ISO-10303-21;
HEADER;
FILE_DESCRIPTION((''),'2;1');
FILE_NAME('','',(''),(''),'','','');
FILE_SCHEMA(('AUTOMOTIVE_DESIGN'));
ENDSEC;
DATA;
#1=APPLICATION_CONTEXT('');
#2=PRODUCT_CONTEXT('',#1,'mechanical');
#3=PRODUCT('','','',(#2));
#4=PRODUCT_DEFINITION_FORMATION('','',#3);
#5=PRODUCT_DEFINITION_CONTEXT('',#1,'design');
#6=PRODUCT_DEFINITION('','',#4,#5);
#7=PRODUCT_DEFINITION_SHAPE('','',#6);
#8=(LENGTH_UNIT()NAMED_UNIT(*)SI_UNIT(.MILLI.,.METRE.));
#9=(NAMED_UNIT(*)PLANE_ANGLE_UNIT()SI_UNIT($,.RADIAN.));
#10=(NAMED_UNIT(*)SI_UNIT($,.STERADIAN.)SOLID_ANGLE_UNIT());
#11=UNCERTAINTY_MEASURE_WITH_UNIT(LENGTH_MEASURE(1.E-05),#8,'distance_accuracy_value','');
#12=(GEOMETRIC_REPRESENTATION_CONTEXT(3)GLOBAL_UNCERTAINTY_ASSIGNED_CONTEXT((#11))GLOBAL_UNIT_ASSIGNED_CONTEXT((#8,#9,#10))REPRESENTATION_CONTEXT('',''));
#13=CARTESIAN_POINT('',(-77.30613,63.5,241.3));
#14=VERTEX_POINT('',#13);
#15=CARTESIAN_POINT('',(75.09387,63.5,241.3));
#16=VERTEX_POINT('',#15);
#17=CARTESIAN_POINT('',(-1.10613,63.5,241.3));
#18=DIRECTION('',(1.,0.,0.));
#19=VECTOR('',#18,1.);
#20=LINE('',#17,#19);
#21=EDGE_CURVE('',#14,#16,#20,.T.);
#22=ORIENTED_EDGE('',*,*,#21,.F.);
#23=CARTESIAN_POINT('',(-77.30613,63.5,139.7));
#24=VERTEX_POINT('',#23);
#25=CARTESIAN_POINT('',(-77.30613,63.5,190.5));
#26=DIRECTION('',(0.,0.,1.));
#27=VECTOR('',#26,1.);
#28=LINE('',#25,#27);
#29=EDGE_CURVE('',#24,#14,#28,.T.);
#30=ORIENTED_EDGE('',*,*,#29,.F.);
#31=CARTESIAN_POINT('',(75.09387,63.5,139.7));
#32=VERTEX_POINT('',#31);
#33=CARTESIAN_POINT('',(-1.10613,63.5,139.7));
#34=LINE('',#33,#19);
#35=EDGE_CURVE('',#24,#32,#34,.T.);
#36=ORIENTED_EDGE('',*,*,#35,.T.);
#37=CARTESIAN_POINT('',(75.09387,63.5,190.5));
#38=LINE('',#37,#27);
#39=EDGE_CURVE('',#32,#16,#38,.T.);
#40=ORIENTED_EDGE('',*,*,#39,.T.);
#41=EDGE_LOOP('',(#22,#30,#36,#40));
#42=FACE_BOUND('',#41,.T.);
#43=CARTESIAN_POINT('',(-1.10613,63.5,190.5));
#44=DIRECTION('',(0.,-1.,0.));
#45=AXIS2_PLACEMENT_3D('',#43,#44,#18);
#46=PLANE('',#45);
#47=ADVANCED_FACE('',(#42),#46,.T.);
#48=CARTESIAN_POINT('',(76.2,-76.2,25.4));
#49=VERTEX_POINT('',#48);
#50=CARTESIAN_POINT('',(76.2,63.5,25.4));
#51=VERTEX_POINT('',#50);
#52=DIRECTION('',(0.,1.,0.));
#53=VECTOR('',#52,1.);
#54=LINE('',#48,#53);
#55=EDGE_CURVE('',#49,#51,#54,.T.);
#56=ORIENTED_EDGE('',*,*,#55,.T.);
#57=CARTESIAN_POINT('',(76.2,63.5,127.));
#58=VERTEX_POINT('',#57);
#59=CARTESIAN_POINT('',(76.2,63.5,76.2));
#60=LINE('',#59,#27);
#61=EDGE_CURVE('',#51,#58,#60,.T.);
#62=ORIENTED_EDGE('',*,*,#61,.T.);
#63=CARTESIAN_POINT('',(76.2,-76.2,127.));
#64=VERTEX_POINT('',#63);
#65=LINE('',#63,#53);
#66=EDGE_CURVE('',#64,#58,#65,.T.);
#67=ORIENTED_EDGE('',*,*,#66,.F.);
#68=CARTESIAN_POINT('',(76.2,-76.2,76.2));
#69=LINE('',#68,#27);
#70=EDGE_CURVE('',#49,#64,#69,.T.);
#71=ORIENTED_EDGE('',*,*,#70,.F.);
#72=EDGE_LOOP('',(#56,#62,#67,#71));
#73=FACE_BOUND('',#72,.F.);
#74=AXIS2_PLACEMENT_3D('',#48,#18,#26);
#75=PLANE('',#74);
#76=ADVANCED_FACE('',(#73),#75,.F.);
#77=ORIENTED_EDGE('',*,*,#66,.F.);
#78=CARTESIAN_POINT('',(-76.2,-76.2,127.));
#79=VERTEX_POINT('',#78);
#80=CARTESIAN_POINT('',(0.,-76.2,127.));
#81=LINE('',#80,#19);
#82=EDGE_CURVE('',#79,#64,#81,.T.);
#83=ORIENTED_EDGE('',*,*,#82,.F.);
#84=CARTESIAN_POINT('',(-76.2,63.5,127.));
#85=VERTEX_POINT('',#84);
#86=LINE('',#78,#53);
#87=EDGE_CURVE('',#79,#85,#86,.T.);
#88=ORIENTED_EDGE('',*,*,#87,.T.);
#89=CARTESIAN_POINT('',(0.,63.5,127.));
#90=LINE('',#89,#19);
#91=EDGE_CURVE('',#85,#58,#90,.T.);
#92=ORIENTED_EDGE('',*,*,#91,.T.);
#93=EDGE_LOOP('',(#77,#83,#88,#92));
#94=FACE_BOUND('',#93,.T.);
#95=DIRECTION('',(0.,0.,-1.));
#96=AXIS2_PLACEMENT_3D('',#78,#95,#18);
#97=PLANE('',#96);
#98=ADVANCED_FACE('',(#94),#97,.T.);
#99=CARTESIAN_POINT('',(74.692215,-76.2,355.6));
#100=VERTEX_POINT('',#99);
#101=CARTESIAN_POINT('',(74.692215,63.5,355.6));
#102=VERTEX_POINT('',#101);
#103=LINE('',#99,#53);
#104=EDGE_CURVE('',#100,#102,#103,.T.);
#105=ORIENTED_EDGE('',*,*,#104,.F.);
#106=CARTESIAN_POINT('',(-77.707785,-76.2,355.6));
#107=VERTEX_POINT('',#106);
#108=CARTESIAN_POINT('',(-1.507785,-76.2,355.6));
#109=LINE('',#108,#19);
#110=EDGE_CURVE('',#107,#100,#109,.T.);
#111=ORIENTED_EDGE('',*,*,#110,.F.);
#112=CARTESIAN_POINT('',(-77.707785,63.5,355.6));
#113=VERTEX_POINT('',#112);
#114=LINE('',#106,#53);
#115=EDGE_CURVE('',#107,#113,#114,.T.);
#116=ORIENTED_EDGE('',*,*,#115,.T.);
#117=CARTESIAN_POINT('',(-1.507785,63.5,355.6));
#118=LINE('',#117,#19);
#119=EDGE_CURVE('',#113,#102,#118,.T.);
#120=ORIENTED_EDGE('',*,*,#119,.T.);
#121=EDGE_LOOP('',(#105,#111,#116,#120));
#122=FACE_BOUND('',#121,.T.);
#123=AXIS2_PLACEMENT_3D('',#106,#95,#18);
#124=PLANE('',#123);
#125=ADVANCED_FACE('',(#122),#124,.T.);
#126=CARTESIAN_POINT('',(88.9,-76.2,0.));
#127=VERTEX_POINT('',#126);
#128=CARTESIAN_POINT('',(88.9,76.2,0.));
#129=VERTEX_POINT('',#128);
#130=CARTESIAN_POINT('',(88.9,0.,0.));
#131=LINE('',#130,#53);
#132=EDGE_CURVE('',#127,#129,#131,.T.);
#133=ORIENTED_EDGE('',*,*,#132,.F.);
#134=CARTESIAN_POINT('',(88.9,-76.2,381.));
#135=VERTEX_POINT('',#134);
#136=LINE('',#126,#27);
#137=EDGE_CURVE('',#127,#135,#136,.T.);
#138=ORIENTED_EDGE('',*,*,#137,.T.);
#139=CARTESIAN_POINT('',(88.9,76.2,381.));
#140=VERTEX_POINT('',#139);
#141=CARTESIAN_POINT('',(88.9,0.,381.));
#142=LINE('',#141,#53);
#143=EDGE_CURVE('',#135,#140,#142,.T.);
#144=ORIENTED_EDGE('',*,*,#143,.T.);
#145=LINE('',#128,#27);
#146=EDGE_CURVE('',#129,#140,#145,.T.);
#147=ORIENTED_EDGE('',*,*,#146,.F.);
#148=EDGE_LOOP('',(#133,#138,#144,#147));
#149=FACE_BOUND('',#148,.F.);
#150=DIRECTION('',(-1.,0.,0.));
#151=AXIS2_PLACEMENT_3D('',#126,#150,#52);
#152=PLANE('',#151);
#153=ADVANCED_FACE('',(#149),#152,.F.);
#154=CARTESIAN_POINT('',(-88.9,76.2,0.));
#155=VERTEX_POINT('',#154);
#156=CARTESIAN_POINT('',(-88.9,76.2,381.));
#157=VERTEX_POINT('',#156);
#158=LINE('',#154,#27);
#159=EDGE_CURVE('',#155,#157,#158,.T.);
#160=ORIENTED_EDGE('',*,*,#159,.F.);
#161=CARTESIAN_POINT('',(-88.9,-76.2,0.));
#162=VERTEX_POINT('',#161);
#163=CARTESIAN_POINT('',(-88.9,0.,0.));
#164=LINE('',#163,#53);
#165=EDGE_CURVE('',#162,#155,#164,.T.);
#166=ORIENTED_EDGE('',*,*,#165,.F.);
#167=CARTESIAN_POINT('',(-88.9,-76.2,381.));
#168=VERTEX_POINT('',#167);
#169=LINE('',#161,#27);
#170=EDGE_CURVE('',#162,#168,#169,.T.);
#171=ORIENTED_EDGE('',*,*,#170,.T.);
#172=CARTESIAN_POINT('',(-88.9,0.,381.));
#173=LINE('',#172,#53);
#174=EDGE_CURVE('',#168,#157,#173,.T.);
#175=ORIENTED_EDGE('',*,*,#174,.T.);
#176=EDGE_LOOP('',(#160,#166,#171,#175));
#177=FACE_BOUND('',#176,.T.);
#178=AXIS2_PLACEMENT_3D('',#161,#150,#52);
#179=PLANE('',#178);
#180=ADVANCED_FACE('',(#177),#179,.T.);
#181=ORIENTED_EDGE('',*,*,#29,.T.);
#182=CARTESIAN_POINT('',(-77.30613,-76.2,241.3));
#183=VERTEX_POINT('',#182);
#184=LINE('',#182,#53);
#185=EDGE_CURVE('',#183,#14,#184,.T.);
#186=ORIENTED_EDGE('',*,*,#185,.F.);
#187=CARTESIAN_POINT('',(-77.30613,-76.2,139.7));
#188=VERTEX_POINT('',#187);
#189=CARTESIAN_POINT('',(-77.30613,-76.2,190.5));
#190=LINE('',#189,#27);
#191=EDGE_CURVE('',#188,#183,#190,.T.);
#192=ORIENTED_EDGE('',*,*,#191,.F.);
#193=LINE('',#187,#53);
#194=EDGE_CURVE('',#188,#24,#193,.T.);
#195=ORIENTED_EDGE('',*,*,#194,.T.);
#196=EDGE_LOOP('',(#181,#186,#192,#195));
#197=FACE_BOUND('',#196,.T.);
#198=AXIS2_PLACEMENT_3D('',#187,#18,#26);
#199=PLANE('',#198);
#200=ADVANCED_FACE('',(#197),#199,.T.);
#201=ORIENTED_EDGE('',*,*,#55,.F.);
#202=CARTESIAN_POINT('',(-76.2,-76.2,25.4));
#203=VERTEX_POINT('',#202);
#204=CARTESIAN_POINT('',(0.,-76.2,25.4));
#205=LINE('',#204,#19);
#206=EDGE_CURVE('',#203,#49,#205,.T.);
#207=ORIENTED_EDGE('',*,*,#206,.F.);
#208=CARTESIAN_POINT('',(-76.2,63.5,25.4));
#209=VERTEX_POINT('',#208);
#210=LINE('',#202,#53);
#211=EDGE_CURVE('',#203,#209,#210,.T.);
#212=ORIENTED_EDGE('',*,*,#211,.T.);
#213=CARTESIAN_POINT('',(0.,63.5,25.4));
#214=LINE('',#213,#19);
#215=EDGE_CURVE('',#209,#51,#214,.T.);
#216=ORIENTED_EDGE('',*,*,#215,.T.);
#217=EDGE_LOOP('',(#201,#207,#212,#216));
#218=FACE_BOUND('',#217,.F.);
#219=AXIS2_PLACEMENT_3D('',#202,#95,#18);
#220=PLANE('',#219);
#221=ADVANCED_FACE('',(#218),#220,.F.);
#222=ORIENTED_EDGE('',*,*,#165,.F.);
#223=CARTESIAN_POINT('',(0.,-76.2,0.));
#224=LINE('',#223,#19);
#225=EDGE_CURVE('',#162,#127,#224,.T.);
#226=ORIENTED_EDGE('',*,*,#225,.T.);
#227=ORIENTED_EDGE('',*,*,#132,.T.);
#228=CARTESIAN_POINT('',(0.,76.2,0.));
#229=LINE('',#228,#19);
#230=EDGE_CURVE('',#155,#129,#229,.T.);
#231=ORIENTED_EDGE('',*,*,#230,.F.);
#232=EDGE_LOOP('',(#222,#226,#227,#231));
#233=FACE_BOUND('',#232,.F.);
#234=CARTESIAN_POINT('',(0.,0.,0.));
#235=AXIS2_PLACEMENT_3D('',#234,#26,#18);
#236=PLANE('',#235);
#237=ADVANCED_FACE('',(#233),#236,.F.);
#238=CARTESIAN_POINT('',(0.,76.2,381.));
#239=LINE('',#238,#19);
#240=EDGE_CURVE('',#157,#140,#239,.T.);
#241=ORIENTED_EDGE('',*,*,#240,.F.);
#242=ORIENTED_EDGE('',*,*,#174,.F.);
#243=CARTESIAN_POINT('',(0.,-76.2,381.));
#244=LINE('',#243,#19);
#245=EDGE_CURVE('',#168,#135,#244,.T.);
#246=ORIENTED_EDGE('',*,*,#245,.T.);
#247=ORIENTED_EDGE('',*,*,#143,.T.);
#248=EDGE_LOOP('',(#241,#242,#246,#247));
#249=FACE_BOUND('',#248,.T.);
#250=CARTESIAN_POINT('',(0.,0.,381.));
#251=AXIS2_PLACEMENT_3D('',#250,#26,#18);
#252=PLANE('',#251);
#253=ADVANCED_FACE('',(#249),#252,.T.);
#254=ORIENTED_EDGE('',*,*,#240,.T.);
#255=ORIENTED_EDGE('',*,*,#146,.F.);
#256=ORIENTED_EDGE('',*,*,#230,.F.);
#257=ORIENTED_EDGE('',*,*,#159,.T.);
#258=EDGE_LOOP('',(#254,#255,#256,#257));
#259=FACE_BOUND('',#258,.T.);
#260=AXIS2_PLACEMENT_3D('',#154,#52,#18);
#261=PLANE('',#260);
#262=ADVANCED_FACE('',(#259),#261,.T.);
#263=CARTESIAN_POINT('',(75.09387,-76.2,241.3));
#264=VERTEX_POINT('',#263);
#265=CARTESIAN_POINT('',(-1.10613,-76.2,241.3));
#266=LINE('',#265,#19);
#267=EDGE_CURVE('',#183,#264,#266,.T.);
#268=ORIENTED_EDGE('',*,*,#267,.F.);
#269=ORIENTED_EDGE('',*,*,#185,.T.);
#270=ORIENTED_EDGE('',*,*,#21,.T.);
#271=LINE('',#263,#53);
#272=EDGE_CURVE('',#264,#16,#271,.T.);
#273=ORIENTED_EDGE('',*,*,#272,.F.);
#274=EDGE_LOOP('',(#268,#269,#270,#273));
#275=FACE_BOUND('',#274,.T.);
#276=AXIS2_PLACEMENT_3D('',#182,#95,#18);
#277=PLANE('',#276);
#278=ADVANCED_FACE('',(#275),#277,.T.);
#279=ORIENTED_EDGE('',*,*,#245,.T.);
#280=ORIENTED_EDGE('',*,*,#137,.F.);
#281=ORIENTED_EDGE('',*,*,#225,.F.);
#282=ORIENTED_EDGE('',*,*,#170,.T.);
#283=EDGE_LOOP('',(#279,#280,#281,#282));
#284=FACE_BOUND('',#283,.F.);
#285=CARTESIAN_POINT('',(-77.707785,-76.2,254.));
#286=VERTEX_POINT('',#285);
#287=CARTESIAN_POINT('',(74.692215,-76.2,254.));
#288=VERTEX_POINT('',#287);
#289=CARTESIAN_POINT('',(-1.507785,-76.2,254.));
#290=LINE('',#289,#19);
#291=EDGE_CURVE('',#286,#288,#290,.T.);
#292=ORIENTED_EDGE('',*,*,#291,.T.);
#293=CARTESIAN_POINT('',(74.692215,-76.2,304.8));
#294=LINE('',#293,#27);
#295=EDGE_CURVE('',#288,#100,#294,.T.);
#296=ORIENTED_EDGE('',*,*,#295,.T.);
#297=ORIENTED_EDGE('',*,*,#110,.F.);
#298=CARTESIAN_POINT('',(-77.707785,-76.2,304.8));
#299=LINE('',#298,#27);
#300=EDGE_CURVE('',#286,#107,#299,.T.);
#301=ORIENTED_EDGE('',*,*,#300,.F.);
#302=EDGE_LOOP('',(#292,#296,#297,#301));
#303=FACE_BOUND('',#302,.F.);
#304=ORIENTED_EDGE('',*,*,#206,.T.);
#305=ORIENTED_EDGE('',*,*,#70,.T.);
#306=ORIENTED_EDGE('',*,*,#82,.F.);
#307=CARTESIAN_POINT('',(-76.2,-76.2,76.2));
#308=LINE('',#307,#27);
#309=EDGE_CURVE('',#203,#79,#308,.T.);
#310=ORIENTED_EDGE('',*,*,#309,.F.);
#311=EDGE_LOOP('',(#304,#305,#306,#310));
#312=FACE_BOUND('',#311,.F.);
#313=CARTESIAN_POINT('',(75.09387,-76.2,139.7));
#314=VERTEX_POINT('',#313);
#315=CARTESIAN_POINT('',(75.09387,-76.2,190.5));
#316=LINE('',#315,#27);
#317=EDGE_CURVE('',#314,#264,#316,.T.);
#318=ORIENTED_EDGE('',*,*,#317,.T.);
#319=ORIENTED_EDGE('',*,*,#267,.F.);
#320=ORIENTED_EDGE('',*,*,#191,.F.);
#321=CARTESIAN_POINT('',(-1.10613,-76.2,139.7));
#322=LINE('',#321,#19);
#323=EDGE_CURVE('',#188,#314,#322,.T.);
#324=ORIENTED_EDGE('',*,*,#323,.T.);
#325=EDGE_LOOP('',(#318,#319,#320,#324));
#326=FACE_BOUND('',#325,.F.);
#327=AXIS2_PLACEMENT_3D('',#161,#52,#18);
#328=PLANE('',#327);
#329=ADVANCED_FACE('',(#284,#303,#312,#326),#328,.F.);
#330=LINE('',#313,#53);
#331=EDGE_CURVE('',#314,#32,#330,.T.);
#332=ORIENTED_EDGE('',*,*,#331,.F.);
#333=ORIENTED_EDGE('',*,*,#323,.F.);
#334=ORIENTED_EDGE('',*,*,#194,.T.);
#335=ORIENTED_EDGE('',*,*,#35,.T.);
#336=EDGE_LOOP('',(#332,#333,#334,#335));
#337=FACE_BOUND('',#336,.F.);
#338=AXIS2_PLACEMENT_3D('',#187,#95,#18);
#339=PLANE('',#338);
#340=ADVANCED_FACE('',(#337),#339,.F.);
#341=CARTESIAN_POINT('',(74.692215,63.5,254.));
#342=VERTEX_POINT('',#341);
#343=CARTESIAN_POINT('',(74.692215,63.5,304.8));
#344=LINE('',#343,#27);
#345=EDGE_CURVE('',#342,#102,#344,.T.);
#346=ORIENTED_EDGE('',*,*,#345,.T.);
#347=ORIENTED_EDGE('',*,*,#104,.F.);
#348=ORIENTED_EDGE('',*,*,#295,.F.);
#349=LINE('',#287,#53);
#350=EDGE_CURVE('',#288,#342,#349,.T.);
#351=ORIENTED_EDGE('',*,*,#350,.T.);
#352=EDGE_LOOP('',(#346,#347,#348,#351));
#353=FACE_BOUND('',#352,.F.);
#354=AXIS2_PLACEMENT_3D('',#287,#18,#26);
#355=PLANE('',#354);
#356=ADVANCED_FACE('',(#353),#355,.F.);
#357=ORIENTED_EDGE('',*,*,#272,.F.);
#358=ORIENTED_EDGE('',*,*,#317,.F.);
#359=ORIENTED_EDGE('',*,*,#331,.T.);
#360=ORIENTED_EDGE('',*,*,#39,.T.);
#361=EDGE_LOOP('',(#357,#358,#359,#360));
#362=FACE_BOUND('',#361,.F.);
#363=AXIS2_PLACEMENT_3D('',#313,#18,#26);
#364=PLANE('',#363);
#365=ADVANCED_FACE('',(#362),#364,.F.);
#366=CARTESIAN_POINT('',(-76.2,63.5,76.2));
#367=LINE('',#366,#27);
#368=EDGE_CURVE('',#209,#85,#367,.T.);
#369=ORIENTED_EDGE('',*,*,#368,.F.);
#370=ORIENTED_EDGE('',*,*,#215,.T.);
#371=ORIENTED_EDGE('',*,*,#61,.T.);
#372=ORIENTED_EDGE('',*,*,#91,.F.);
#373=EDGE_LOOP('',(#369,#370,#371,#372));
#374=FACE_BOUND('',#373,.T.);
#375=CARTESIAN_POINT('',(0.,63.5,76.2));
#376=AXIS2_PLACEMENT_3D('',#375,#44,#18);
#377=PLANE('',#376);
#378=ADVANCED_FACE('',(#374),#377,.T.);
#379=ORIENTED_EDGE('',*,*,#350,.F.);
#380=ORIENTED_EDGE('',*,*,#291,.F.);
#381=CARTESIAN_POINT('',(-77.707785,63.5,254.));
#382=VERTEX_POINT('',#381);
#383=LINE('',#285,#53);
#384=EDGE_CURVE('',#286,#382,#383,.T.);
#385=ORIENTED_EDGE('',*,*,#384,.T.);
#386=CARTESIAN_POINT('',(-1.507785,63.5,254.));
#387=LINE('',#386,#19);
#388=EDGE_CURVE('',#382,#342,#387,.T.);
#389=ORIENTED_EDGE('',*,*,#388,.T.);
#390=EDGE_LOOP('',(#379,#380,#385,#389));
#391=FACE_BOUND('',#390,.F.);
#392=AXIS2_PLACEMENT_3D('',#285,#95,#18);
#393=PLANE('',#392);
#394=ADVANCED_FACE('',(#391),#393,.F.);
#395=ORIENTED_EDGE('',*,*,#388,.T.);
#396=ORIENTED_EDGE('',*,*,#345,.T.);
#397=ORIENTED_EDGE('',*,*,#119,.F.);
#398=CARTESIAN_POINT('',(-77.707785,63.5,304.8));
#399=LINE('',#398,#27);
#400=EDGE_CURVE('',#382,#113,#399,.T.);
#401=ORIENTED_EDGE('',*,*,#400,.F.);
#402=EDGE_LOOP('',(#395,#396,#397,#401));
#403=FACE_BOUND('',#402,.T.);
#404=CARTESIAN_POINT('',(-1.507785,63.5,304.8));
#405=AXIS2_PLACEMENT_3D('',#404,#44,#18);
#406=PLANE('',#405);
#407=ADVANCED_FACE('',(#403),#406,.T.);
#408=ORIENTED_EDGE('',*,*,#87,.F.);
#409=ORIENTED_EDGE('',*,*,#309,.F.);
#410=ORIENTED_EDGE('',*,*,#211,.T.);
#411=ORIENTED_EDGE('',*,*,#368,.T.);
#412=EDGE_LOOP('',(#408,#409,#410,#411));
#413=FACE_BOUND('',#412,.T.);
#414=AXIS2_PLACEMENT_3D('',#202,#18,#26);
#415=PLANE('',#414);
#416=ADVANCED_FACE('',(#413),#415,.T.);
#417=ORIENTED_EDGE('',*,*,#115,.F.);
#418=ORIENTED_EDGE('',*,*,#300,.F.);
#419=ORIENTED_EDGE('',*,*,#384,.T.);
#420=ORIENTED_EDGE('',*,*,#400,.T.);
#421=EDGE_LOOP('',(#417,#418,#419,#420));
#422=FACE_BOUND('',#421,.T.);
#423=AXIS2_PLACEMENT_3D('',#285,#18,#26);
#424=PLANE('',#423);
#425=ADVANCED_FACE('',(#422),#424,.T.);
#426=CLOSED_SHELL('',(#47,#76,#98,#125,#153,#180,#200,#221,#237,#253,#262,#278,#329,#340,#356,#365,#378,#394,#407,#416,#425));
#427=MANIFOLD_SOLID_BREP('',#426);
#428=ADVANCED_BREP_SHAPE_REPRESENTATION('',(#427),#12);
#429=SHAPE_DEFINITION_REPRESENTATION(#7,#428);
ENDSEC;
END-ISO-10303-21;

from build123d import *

# Parameters (mm, degrees)
F0_W     = 177.8
F0_H     = 152.4
F1_DEPTH = 381
F2_W     = 152.4
F2_H     = 101.6
F3_DEPTH = 139.7
F4_W     = 152.4
F4_H     = 101.6
F6_DEPTH = 139.7
F5_W     = 152.4
F5_H     = 101.6
F7_DEPTH = 139.7


with BuildPart() as f1:
    # F0 (on Top) → F1 (new body)
    with BuildSketch(Plane.XY):
        Rectangle(F0_W, F0_H)
    extrude(amount=F1_DEPTH)

    # F2 (on face) → F3 (cut)
    with BuildSketch(Plane.XZ.offset(76.2)):
        with Locations((-1.507785, 304.8)):
            Rectangle(F2_W, F2_H)
    extrude(amount=-F3_DEPTH, mode=Mode.SUBTRACT)

    # F4 (on face) → F6 (cut)
    with BuildSketch(Plane.XZ.offset(76.2)):
        with Locations((-1.10613, 190.5)):
            Rectangle(F4_W, F4_H)
    extrude(amount=-F6_DEPTH, mode=Mode.SUBTRACT)

    # F5 (on face) → F7 (cut)
    with BuildSketch(Plane.XZ.offset(76.2)):
        with Locations((0, 76.2)):
            Rectangle(F5_W, F5_H)
    extrude(amount=-F7_DEPTH, mode=Mode.SUBTRACT)


solid = f1.part
